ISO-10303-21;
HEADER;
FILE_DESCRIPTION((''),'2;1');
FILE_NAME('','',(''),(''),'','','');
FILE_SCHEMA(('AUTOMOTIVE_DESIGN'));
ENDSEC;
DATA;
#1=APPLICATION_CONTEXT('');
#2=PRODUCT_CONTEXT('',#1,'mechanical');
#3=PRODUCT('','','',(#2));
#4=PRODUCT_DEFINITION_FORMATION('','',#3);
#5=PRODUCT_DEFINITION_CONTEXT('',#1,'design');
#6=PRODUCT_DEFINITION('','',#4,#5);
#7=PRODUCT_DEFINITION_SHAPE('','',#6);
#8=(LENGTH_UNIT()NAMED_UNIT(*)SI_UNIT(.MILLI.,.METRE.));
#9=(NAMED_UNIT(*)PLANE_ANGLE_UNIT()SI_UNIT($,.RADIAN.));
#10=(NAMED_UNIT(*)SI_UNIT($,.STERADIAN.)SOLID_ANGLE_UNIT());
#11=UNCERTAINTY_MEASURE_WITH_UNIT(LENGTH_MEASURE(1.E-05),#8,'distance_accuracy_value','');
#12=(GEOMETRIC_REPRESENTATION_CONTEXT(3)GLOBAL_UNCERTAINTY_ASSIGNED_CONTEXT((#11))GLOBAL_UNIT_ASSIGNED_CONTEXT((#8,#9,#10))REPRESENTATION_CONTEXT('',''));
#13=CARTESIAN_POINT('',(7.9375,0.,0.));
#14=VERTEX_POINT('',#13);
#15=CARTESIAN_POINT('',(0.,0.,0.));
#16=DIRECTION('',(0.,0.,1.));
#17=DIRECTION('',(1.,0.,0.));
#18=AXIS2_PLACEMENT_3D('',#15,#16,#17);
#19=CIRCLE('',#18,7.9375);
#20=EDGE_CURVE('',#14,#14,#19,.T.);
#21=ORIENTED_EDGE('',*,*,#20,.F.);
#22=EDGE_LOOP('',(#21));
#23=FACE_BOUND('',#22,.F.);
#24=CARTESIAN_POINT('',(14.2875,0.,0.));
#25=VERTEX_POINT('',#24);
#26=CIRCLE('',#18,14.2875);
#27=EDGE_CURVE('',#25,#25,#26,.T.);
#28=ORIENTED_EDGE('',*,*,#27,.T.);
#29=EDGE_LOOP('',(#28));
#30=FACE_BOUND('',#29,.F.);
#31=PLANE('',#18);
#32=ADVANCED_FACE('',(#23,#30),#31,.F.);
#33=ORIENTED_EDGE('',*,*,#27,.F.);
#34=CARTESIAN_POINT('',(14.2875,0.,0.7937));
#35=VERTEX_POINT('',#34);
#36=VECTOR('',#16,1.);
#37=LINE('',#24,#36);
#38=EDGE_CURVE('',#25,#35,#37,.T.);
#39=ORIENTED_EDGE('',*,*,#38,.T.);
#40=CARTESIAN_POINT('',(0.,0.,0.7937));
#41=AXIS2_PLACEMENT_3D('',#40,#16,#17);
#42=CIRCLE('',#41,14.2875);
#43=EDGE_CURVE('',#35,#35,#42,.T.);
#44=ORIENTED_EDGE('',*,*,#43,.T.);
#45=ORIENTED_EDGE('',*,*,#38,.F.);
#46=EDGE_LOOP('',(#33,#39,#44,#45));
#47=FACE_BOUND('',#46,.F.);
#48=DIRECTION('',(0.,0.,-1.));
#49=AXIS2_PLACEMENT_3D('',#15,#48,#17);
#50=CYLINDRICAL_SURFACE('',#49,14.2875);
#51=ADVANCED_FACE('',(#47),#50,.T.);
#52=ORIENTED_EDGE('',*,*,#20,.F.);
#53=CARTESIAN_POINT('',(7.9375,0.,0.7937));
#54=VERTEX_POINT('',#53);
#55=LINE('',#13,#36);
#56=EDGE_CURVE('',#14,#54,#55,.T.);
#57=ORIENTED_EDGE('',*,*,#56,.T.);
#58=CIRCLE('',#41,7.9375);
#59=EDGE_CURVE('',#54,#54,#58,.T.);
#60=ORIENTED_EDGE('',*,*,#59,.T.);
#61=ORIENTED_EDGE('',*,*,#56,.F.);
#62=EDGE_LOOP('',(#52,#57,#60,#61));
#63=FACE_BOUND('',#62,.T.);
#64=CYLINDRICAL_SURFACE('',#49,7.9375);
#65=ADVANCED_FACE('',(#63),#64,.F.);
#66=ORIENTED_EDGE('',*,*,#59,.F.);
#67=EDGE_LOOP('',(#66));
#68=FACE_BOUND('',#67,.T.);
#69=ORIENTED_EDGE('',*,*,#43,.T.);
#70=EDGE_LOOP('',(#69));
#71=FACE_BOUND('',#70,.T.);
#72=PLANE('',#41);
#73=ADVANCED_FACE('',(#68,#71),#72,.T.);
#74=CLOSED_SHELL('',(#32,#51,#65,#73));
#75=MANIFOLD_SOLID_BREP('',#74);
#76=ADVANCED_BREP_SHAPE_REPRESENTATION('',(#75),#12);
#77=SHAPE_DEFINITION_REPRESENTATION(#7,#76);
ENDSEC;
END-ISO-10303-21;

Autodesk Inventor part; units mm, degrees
ref_plane "YZ Plane" through (0, 0, 0) normal (1, 0, 0) x (0, 1, 0)
ref_plane "XZ Plane" through (0, 0, 0) normal (0, 1, 0) x (-1, 0, 0)
ref_plane "XY Plane" through (0, 0, 0) normal (0, 0, 1) x (1, 0, 0)
sketch "Sketch1" plane through (0, 0, 0) normal (0, 0, 1) x (1, 0, 0)
  circle A0 centre (0, 0) radius 7.9375
  circle A1 centre (0, 0) radius 14.2875
  dimension "d0" = 15.875
  dimension "d1" = 28.575
extrude "Extrusion1" add sketch "Sketch1" along normal blind 0.7937
properties part number "Thrust Bearing Washer - .7500 Bore" material "Stainless Steel"
